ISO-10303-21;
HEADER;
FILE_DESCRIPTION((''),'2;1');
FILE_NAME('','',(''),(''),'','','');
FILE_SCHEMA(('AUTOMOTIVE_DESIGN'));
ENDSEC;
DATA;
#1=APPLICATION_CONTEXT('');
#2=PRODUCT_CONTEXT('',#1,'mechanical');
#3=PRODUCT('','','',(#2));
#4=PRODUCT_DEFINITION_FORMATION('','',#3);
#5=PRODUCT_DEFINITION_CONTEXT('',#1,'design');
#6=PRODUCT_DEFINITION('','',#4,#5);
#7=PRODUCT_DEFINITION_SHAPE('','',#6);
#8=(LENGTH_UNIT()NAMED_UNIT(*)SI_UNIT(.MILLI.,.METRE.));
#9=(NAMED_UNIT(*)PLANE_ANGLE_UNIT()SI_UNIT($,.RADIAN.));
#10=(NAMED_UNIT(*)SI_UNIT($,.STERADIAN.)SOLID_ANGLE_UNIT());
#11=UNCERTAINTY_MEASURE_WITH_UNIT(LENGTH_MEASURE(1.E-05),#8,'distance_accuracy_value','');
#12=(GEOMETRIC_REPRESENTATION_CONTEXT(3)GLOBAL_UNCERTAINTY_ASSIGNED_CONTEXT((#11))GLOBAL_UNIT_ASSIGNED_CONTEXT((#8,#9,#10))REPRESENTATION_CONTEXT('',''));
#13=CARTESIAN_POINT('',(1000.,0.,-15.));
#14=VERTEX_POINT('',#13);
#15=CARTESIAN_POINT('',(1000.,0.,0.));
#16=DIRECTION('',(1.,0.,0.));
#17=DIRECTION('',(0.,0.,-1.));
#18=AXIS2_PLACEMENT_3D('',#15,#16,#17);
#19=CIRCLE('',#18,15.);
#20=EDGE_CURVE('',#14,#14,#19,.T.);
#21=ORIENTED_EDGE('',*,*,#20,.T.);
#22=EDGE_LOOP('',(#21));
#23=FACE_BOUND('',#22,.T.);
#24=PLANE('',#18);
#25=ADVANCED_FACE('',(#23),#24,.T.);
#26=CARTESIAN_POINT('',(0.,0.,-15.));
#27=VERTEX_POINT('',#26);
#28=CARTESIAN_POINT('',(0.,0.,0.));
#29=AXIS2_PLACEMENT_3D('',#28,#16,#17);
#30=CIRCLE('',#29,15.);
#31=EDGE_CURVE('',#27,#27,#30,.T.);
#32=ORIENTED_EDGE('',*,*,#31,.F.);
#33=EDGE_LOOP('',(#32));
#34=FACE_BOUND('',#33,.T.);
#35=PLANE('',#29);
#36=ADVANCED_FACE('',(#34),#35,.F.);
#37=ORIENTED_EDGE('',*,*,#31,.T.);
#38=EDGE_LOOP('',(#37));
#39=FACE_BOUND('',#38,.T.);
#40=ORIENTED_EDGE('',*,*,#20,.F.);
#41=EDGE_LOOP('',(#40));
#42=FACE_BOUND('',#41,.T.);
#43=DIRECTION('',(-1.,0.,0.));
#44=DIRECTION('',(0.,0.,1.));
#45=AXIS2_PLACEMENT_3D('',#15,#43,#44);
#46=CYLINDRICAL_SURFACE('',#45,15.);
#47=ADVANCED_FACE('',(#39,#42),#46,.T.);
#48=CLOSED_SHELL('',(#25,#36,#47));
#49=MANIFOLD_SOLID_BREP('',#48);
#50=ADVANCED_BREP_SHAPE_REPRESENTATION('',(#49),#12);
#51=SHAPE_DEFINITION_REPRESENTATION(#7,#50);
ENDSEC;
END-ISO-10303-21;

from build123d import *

# Parameters (mm, degrees)
ESQUISSE1_R        = 15
BOSS_EXTRU_1_DEPTH = 1000


with BuildPart() as part:
    # Esquisse1 → Boss.-Extru.1 (new body)
    with BuildSketch(Plane(origin=(0, 0, 0), x_dir=(0, 0, -1), z_dir=(1, 0, 0))):
        Circle(ESQUISSE1_R)
    extrude(amount=BOSS_EXTRU_1_DEPTH)


solid = part.part
